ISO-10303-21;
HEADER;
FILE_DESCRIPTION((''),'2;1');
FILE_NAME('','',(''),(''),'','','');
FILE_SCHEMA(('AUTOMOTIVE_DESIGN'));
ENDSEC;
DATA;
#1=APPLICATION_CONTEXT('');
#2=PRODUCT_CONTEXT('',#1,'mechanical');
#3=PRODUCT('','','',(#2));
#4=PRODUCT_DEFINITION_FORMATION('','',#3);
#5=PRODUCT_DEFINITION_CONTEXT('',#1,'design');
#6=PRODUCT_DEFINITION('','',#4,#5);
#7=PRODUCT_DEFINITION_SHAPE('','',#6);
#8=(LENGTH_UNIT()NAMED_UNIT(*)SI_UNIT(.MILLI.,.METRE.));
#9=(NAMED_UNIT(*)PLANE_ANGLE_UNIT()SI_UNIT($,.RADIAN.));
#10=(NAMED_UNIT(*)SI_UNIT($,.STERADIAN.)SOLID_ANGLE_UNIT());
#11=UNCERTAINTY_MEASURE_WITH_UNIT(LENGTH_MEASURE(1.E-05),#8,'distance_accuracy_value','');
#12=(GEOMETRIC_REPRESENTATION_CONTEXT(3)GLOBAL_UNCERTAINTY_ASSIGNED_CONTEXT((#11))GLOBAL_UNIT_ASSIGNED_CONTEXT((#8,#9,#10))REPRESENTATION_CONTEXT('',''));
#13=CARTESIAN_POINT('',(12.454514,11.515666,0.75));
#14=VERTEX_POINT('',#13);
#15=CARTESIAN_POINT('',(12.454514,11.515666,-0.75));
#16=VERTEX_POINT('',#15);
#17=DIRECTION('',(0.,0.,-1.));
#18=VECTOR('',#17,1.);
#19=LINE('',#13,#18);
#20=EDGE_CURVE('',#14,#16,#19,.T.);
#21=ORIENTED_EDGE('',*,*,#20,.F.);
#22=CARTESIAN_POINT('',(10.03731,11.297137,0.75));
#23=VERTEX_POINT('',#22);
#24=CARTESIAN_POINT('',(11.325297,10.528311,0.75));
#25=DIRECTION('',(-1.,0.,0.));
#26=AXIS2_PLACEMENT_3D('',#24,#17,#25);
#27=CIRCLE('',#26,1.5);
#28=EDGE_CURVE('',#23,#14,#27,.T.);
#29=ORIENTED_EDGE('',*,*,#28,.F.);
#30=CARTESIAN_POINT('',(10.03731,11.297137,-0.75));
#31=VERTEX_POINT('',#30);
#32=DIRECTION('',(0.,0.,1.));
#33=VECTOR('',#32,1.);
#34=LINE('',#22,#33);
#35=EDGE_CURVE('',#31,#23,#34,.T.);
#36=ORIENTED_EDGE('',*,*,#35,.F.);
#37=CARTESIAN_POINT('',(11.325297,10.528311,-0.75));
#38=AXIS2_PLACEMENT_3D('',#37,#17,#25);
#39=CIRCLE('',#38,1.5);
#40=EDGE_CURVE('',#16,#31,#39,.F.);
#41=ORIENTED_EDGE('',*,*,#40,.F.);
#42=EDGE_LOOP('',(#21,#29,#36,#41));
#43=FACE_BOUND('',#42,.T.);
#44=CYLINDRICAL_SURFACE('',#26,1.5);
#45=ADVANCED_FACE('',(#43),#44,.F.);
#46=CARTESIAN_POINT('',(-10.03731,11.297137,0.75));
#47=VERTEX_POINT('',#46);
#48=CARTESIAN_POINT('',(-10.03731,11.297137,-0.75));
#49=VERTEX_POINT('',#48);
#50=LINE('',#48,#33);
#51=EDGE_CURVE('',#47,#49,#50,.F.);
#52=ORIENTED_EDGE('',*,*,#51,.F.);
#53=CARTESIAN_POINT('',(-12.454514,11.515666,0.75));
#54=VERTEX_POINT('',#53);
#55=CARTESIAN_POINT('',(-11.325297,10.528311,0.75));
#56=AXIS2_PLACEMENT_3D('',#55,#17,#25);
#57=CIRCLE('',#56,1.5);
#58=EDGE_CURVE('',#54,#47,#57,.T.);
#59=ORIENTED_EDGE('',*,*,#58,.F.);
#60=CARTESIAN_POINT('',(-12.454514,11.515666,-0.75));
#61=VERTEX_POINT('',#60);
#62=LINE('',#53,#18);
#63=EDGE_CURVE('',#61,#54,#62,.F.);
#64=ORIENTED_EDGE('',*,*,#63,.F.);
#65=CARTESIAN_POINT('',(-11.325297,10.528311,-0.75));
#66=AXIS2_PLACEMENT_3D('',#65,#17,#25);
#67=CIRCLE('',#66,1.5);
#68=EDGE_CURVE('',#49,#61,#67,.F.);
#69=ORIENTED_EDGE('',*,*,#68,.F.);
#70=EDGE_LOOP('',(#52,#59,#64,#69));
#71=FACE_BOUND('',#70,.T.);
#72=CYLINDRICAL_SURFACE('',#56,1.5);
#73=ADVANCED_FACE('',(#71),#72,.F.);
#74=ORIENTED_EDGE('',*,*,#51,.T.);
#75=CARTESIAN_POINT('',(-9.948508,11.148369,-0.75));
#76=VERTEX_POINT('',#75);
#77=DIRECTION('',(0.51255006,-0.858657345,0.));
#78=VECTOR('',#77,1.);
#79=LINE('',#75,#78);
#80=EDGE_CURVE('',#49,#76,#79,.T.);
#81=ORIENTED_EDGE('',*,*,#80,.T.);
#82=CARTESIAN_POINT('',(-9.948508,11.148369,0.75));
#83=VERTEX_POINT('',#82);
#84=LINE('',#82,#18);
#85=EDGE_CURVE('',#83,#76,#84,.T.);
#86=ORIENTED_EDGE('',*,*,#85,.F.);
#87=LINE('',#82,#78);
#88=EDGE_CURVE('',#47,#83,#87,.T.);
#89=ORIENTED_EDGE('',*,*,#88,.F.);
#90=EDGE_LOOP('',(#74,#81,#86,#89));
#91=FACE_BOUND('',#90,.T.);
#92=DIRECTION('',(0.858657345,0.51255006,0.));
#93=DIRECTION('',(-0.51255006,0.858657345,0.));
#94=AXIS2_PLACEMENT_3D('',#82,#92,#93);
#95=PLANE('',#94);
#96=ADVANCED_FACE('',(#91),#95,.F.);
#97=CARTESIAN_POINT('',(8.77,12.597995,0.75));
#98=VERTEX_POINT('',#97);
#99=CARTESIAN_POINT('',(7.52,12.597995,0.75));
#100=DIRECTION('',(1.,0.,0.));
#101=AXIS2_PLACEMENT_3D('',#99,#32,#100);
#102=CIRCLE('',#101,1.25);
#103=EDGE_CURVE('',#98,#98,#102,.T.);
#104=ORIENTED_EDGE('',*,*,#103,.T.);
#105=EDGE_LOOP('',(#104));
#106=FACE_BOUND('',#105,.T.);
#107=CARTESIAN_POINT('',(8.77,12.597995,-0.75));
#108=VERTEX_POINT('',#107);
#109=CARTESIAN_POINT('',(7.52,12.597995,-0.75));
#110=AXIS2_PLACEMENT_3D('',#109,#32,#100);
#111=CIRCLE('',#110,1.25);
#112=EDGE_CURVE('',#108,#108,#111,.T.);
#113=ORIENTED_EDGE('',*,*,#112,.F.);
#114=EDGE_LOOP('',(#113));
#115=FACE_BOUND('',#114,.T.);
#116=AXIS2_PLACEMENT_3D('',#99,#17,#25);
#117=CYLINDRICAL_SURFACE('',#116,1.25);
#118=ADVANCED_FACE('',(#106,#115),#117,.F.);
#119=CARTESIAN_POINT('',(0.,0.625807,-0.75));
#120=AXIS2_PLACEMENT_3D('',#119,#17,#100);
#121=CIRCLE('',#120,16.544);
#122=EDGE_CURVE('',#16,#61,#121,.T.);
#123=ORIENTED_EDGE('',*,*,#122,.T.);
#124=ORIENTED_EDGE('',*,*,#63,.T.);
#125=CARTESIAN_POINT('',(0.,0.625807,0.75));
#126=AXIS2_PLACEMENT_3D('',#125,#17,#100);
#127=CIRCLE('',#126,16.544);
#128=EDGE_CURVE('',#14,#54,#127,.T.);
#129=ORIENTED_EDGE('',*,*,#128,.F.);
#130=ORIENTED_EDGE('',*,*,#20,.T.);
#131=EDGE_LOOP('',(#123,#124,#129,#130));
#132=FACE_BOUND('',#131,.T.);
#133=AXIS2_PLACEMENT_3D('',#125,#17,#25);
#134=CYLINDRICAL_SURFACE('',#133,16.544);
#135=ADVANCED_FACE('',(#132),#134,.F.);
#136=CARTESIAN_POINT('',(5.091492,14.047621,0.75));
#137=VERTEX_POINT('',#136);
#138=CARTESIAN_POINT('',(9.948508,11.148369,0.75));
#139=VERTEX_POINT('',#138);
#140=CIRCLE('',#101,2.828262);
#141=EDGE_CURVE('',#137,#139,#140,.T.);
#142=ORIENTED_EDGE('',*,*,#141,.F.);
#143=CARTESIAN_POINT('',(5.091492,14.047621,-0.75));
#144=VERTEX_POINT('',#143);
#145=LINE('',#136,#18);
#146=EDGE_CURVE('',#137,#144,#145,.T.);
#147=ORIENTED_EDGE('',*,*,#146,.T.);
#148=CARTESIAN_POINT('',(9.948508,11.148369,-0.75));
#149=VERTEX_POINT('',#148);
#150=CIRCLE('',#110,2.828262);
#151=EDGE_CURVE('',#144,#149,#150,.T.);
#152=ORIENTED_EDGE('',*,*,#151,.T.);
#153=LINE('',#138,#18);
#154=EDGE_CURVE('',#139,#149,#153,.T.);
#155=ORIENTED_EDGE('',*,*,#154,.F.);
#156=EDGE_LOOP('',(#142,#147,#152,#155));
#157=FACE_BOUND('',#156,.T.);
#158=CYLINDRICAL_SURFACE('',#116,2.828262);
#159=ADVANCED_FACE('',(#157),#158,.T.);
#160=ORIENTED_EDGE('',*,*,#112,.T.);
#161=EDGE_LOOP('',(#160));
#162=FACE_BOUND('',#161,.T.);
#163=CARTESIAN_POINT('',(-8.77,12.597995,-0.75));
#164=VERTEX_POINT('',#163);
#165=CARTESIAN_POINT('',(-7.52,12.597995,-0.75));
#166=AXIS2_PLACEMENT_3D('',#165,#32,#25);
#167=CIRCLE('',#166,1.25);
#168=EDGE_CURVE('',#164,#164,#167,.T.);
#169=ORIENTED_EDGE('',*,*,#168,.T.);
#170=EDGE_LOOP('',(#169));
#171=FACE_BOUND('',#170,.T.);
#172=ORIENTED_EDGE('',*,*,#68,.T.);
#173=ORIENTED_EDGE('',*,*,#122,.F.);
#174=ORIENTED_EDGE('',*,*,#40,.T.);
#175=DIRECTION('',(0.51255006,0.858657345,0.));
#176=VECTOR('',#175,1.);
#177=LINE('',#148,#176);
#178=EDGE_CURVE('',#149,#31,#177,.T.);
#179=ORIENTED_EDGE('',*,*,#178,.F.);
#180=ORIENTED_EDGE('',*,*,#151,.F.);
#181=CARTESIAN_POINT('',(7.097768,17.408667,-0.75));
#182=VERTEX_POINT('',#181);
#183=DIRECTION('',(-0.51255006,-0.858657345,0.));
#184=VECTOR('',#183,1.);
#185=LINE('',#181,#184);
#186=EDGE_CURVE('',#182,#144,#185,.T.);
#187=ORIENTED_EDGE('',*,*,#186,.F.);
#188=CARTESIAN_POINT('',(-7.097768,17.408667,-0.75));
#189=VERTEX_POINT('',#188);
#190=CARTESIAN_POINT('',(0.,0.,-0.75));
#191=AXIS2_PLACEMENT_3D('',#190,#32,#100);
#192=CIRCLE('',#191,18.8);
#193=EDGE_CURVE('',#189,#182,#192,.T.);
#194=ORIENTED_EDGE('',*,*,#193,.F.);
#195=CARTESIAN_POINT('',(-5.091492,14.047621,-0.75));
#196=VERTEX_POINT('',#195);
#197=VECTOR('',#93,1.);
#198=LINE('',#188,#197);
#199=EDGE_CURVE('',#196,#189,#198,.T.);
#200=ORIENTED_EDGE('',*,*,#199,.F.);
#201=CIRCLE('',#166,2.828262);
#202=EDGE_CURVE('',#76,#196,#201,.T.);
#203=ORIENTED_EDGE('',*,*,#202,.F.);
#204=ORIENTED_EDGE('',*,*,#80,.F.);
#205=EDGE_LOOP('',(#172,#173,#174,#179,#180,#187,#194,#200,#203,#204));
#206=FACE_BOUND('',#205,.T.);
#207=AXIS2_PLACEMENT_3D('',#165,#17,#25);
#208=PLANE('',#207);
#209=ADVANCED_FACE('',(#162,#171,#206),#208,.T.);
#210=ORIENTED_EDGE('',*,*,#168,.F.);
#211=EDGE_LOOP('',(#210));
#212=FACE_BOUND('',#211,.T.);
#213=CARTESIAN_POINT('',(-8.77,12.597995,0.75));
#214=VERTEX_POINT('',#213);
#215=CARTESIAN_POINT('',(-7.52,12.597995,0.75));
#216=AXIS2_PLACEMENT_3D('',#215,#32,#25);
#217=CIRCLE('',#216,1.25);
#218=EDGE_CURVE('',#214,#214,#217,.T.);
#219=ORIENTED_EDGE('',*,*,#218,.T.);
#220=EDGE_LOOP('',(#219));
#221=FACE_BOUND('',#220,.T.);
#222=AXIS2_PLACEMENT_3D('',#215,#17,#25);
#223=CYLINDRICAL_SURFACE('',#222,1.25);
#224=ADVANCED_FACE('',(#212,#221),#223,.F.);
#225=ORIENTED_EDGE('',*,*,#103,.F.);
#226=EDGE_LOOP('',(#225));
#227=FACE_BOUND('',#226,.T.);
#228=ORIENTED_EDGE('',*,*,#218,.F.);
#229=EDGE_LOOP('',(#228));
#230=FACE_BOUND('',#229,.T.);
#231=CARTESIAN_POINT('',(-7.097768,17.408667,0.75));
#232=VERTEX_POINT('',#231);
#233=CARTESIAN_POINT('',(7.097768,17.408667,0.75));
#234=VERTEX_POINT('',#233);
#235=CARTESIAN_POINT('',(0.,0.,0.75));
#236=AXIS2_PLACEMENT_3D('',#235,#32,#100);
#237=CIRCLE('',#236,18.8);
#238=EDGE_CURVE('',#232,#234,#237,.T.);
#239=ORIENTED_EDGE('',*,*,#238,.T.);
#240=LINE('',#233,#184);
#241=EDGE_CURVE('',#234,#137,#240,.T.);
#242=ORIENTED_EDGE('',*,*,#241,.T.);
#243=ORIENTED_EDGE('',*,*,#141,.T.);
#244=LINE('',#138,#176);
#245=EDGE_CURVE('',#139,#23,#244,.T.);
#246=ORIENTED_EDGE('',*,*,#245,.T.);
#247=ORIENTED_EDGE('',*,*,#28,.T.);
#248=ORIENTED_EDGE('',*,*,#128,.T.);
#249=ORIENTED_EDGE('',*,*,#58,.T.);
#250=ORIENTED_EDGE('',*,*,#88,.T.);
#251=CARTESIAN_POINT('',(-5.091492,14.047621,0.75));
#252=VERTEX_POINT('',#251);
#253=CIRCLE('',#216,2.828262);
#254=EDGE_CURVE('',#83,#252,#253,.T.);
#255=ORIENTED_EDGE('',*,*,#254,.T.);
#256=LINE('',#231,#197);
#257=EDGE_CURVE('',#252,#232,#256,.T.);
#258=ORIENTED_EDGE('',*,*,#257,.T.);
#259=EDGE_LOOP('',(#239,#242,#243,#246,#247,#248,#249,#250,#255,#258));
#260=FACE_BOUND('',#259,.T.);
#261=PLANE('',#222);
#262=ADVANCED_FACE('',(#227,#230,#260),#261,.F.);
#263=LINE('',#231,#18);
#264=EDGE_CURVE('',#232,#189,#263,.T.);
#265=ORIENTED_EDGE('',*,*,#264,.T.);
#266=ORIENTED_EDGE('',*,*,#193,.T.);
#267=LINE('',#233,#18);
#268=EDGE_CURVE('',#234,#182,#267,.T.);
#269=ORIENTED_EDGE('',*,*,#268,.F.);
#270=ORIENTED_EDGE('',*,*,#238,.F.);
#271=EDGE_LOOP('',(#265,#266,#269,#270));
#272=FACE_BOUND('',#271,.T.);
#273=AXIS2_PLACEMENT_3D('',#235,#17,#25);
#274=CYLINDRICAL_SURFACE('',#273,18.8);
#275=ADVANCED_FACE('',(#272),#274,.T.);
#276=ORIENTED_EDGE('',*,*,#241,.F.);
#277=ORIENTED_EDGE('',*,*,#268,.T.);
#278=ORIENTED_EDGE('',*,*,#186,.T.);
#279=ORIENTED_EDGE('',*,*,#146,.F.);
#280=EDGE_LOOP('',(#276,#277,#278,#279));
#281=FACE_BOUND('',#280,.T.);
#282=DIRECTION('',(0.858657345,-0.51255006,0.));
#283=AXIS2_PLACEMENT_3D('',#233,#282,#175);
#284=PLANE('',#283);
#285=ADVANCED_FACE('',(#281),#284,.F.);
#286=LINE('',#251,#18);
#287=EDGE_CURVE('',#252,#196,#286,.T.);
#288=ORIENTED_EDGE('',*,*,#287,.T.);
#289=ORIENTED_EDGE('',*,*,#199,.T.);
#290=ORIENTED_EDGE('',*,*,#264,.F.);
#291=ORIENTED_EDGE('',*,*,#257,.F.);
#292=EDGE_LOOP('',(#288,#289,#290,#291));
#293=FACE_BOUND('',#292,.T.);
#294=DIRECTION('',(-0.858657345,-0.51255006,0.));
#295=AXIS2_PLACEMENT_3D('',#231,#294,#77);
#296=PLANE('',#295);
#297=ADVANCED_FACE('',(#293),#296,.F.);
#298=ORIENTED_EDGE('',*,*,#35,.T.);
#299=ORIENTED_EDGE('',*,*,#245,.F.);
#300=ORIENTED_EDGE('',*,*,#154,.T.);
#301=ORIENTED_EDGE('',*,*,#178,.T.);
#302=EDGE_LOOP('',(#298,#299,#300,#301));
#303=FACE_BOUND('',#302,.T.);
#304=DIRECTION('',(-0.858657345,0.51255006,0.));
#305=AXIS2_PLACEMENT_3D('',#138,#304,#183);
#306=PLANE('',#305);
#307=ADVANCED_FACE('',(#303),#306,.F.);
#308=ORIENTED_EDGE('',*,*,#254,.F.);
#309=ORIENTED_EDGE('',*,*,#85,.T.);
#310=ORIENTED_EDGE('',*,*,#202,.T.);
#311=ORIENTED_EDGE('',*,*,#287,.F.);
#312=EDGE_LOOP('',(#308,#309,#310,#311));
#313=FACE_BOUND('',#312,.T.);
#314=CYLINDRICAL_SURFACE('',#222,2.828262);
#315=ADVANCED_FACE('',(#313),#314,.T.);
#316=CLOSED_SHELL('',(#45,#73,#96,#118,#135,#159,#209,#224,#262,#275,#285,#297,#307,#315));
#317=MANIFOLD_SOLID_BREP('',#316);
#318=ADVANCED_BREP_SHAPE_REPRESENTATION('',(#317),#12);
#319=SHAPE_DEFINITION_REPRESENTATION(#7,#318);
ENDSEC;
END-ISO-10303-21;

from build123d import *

# Parameters (mm, degrees)
SKETCH1_R           = 1.25
BOSS_EXTRUDE1_DEPTH = 0.75
FILLET1_R           = 1.5


with BuildPart() as part:
    # Sketch1 → Boss-Extrude1 (new, symmetric)
    with BuildSketch(Plane.XY):
        with BuildLine():
            Line((7.097768331, 17.408666943), (5.091491735, 14.047621322))
            ThreePointArc((5.091491735, 14.047621322), (6.070373947, 10.169487005), (9.948508265, 11.148369217))
            Line((9.948508265, 11.148369217), (11.028531075, 12.957693985))
            ThreePointArc((11.028531075, 12.957693985), (0, -15.918193069), (-11.028531075, 12.957693985))
            Line((-11.028531075, 12.957693985), (-9.948508265, 11.148369217))
            ThreePointArc((-9.948508265, 11.148369217), (-6.070373947, 10.169487005), (-5.091491735, 14.047621322))
            Line((-5.091491735, 14.047621322), (-7.097768331, 17.408666943))
            ThreePointArc((-7.097768331, 17.408666943), (0, -18.8), (7.097768331, 17.408666943))
        make_face()
        with Locations(Location((-7.52, 12.59799527, 0), (0, 0, 180))):
            Circle(SKETCH1_R, mode=Mode.SUBTRACT)
        with Locations((7.52, 12.59799527)):
            Circle(SKETCH1_R, mode=Mode.SUBTRACT)
    extrude(amount=BOSS_EXTRUDE1_DEPTH, both=True)

    # Fillet1
    fillet1_edges = [part.edges().sort_by_distance(p)[0] for p in [
        (-11.028531075, 12.957693985, 0),
        (11.028531075, 12.957693985, 0),
    ]]
    fillet(fillet1_edges, radius=FILLET1_R)


solid = part.part
